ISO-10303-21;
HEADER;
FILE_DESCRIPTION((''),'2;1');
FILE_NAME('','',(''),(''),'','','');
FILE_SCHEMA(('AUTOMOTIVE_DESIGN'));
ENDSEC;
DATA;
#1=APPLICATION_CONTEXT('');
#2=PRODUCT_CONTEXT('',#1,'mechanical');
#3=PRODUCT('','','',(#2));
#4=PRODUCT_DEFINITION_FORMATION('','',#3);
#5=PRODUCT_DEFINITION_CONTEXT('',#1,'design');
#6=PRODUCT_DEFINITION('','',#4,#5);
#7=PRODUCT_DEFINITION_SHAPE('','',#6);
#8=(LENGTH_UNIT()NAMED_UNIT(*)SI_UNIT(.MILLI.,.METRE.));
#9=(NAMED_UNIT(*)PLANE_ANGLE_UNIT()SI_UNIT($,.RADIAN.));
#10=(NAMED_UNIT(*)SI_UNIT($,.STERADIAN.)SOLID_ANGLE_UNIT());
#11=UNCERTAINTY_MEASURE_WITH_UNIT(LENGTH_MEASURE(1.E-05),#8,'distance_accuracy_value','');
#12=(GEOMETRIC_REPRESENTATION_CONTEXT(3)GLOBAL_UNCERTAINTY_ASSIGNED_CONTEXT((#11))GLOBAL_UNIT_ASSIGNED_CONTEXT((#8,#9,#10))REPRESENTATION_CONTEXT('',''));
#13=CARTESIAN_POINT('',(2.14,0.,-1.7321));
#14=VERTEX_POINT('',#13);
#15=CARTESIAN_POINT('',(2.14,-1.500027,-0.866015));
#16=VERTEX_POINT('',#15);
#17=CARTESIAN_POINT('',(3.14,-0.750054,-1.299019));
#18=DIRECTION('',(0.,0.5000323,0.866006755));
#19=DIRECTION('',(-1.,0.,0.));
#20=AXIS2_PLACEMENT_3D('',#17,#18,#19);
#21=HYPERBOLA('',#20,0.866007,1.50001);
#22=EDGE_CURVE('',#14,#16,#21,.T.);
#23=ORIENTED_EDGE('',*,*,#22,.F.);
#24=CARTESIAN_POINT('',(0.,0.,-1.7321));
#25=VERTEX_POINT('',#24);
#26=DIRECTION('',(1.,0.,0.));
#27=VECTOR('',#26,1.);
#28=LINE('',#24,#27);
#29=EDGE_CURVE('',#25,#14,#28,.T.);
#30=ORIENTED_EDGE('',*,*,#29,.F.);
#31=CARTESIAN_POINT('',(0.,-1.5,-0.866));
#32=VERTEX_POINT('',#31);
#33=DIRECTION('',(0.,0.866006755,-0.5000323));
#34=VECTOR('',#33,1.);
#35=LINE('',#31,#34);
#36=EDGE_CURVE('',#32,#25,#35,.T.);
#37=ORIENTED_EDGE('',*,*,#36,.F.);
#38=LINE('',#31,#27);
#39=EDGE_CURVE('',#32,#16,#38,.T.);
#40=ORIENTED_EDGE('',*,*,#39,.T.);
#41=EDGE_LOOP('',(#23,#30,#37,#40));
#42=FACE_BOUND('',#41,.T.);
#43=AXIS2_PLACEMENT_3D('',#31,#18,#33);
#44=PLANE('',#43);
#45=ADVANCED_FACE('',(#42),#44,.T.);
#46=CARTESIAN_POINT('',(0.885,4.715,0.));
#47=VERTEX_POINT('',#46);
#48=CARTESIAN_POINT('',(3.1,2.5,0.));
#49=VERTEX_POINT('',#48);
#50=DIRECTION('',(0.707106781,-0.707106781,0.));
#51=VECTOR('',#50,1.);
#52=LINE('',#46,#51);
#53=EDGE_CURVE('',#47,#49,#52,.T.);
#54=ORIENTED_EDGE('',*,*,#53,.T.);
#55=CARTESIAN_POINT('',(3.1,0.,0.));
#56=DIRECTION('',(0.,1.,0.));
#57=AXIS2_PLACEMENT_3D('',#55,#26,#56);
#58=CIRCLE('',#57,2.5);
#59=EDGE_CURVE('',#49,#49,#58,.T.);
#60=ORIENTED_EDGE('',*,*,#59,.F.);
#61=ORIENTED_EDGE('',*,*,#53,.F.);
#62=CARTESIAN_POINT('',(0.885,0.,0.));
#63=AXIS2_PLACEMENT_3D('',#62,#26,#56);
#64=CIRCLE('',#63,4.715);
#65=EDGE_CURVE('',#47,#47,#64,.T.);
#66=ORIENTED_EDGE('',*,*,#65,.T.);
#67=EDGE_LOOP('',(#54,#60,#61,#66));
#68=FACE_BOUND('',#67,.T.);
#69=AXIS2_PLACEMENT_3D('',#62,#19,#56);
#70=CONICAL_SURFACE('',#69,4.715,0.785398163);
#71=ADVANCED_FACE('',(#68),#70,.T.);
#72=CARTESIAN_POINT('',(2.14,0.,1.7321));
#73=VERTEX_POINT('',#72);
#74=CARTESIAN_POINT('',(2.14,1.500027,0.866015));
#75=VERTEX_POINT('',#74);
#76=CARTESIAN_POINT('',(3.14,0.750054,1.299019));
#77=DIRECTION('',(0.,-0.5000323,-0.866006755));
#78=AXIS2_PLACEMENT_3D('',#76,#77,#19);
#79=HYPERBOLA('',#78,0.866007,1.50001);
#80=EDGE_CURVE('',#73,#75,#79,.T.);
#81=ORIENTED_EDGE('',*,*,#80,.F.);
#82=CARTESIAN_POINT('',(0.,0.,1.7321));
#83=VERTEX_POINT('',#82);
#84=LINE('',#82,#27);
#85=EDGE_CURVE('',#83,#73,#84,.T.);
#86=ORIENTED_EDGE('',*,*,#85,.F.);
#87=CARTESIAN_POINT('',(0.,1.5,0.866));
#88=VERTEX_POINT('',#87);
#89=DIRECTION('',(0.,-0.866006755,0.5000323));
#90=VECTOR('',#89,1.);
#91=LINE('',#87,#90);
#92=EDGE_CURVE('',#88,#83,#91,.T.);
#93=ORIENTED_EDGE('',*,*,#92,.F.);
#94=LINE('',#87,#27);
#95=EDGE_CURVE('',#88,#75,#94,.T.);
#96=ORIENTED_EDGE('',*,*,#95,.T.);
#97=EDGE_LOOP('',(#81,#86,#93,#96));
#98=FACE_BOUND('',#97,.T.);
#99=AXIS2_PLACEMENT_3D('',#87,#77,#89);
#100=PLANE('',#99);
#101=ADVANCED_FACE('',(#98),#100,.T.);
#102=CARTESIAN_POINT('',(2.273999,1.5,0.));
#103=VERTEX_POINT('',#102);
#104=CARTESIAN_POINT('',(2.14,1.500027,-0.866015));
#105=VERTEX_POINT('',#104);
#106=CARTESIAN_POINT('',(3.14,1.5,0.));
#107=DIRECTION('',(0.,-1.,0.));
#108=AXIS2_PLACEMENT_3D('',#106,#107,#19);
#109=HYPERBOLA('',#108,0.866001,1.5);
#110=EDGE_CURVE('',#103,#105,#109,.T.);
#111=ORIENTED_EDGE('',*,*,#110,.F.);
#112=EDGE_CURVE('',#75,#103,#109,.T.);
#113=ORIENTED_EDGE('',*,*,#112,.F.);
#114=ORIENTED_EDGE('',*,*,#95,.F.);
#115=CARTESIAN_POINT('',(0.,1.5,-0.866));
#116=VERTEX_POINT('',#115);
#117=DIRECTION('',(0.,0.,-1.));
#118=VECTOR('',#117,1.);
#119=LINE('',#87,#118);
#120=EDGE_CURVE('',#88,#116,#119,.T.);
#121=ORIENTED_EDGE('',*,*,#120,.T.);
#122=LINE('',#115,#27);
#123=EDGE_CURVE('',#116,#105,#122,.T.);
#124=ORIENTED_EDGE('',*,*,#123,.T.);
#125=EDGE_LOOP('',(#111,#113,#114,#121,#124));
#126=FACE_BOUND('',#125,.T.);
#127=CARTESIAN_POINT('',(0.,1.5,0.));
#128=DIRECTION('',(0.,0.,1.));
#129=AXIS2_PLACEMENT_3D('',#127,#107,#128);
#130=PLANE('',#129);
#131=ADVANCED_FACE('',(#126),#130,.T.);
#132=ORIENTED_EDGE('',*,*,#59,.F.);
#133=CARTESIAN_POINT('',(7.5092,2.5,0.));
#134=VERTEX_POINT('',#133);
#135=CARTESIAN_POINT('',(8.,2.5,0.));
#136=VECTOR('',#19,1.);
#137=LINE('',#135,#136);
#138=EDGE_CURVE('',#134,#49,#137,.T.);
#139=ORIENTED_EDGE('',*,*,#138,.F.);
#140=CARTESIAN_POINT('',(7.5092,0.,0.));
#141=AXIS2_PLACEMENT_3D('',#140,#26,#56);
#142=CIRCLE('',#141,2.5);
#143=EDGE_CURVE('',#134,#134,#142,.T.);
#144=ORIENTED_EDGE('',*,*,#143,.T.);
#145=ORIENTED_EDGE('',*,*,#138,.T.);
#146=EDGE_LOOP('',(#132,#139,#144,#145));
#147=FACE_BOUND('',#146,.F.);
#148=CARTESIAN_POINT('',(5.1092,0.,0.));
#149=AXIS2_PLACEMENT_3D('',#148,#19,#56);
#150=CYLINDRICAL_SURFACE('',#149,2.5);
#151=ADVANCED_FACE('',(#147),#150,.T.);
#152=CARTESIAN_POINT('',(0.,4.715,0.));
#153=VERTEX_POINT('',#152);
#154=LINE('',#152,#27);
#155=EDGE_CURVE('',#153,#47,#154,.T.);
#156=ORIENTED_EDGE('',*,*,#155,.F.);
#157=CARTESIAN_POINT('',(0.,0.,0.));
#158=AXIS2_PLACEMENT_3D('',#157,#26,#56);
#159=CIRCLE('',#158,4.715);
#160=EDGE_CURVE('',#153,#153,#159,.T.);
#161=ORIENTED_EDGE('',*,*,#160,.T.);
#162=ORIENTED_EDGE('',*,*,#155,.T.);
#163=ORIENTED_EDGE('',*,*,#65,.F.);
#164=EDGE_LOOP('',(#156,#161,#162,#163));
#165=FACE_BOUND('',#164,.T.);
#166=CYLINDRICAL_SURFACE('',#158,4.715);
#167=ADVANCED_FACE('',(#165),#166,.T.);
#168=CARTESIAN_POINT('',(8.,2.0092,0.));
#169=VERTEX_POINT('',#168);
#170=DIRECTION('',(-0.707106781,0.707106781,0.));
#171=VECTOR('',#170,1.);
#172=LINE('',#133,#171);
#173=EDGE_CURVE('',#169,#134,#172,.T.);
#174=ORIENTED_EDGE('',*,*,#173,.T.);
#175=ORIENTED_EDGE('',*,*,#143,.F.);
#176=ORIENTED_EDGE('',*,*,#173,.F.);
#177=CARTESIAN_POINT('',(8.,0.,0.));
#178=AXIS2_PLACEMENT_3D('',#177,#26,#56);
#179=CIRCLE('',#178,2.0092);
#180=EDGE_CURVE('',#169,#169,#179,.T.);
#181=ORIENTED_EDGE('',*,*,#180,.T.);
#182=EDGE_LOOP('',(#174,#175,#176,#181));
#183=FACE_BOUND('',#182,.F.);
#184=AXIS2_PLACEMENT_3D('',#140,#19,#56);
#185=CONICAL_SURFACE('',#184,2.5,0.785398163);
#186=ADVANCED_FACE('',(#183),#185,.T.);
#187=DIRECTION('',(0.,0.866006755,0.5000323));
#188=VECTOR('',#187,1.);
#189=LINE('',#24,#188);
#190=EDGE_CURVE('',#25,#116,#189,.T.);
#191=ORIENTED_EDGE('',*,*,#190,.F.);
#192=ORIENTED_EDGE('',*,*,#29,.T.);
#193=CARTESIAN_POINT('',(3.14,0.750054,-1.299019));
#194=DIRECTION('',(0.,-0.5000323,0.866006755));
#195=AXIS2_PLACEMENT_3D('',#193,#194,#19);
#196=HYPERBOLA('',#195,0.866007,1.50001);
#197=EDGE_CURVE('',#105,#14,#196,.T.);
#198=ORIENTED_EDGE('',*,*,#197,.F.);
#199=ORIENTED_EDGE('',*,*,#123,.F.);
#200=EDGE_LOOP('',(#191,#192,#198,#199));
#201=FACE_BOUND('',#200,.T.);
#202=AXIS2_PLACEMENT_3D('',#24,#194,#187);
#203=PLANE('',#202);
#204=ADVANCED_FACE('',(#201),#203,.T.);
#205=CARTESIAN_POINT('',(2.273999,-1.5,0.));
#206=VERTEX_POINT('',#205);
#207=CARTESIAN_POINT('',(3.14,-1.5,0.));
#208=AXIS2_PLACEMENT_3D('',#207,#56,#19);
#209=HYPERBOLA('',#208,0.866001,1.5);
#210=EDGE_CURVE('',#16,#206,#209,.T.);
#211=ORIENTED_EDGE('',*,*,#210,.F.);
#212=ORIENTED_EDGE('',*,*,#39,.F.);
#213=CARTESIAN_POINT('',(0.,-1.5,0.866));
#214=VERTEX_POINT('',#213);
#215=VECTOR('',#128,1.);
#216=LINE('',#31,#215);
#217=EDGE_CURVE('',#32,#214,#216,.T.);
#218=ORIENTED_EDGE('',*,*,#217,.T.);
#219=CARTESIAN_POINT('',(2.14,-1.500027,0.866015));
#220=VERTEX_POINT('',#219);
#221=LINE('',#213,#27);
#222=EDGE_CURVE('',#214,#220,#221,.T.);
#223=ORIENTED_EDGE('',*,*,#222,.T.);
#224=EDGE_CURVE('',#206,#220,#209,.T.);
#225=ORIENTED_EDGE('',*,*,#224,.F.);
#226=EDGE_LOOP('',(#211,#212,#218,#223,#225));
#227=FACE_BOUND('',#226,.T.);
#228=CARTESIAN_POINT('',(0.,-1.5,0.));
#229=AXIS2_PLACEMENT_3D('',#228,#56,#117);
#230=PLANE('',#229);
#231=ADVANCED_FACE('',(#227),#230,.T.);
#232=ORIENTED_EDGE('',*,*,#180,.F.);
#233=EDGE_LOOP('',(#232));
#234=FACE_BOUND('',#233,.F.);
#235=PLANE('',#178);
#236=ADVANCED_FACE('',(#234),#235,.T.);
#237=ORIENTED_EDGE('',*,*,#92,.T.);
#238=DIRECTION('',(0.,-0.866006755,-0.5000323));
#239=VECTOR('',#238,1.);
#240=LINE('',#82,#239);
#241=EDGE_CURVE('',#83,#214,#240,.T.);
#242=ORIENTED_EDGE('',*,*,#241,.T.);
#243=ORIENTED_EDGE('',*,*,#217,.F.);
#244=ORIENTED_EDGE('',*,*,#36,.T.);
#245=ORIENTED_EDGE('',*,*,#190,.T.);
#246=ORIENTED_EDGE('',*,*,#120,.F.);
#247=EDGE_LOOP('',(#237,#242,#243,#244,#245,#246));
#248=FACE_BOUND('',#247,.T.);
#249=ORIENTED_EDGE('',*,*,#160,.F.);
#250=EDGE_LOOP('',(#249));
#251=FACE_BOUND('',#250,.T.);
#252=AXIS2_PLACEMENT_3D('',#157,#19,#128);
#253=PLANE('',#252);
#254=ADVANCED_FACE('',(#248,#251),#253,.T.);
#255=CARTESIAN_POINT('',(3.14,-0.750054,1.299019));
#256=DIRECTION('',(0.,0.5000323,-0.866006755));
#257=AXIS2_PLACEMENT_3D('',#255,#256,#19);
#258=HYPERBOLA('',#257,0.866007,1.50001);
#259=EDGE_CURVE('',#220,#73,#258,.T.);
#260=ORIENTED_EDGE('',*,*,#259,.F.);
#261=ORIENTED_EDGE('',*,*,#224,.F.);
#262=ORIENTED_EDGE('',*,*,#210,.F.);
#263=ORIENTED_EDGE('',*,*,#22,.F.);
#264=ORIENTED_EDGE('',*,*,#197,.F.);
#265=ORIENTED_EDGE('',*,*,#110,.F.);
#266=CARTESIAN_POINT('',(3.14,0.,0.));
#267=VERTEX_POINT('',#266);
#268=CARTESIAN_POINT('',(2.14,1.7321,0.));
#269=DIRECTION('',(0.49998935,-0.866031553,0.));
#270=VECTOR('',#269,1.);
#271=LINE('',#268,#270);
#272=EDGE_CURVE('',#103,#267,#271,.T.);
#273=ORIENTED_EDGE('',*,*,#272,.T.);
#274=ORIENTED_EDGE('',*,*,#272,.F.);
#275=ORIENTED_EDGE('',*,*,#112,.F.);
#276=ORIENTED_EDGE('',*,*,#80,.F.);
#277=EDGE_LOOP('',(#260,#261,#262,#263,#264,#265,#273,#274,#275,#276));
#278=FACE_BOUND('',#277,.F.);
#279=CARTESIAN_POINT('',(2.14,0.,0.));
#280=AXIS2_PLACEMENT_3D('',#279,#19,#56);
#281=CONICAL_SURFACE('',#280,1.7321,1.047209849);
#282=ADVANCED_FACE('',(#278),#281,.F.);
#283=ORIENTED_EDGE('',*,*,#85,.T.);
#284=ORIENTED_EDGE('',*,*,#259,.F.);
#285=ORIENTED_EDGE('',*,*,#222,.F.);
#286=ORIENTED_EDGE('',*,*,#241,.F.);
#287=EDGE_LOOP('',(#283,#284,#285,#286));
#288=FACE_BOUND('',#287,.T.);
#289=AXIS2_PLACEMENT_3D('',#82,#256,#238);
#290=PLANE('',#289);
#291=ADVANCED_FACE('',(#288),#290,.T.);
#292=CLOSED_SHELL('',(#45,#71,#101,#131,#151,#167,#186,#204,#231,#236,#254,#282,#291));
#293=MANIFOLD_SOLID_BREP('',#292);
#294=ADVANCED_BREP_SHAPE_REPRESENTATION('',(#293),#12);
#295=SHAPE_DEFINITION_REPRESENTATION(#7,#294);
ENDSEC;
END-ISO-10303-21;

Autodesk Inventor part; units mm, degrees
ref_plane "YZ Plane" through (0, 0, 0) normal (1, 0, 0) x (0, 1, 0)
ref_plane "XZ Plane" through (0, 0, 0) normal (0, 1, 0) x (-1, 0, 0)
sketch "Esquisse1" plane through (0, 0, 0) normal (0, 0, 1) x (1, 0, 0)
  line L0 (8, 0) -> (8, 2.5)
  line L1 (8, 2.5) -> (5.6, 2.5)
  line L2 (5.6, 2.5) -> (5.1092, 2.5)
  line L3 (0, 4.715) -> (0, 1.7321)
  line L4 (0, 1.7321) -> (2.14, 1.7321)
  line L5 (2.14, 1.7321) -> (3.14, 0)
  line L6 (3.14, 0) -> (8, 0)
  line L7 (0, 4.715) -> (0.885, 4.715)
  line L8 (0.885, 4.715) -> (3.1, 2.5)
  line L9 (5.1092, 2.5) -> (3.1, 2.5)
  line L10 (5.6, 2.5) -> (3.1, 2.5) construction
  line L11 (3.1, 2.5) -> (3.1, 2.5)
  line L12 (-1.6, 0) -> (9.6, 0) projected
  line L13 (0, -0.943) -> (0, 5.658) projected
  dimension "d0" = 8
  dimension "d1" = 2.4
  dimension "d2" = 2.14
  dimension "d3" = 5
  dimension "d6" = 3.1
  dimension "d7" = 45
  dimension "d8" = 3.4641
  dimension "d9" = 60
  dimension "d10" = 9.43
  dimension "d11" = 5
  dimension "d12" = 0.4908
revolve "Corps" add sketch "Esquisse1" angle 360 about axis through (3.14, 0, 0) along (1, 0, 0) contours L6 L5 L4 L3 L7 L8 L9 L2 L1 L0
sketch "Esquisse2" plane through (0, 0, 0) normal (-1, 0, 0) x (0, 0, 1)
  circle A0 centre (0, 0) radius 1.7321 projected
  line L0 (0, -6.601) -> (0, 6.601) projected
  line L1 (-6.601, 0) -> (6.601, 0) projected
  line L2 (1.7321, 0) -> (0.866, -1.5)
  line L3 (0.866, -1.5) -> (-0.866, -1.5)
  line L4 (-0.866, -1.5) -> (-1.7321, 0)
  line L5 (-1.7321, 0) -> (-0.866, 1.5)
  line L6 (-0.866, 1.5) -> (0.866, 1.5)
  line L7 (0.866, 1.5) -> (1.7321, 0)
  point P0 (0, 1.7321)
extrude "Rainure" add sketch "Esquisse2" against normal up to next contours L7 A0 | A0 L2 | L6 L0 A0 | A0 L0 L3 | L0 L6 A0 | A0 L3 L0 | L4 A0 | A0 L5
thread "Filetage" size "M5x0.8" class "6g" standard "ISO Metric profile" length 2.4
chamfer "Chanfrein1" distance 0.4908 distance2 0.4908 1 edges at (8, -2.5, 0) measured on face at (8, 0.4809, 1.5312)
ref_plane "Work Plane1" through (104.775, 0, 0) normal (0, 0, -1) x (1, 0, 0)
equation "\"d15\" = GEL"
equation "\"d17\" = -0.5 * SPD + 0.5 * GD"
equation "\"d18\" = GUL"
equation "\"d0\" = NLG"
equation "\"d1\" = GEL"
equation "\"d2\" = INTI"
equation "\"d3\" = GD"
equation "\"d6\" = KOH"
equation "\"d7\" = 0.5 * SEWI"
equation "\"d8\" = 1.1547 * SW"
equation "\"d10\" = KOD"
equation "\"d11\" = BDM"
equation "\"d12\" = GAL"
equation "\"NLG\" = 8"
equation "\"INTI\" = 2.14"
equation "\"GEL\" = 2.4"
equation "\"GAL\" = 0.61345 * PTC"
equation "\"KOH\" = 3.1"
equation "\"KOD\" = 9.43"
equation "\"GUL\" = 0.61345 * PTC"
equation "\"SPD\" = NND - 1.2269 * PTC"
equation "\"BDM\" = NND"
equation "\"GD\" = NND"
equation "\"SEWI\" = 90deg"
equation "\"SW\" = 3"
equation "\"TOA\" = 30deg"
equation "\"GD1\" = THREADDIA - 1.2269 * PTC"
equation "\"EPV\" = 5.6"
equation "\"THREADDIA\" = 5"
equation "\"PTC\" = 0.8"
equation "\"NND\" = 5"
equation "\"E0\" = 3.47"
equation "\"THREADDESC\" = 1.2345"
properties part number "ISO 10642 - M5 x  8" material "Acier"
